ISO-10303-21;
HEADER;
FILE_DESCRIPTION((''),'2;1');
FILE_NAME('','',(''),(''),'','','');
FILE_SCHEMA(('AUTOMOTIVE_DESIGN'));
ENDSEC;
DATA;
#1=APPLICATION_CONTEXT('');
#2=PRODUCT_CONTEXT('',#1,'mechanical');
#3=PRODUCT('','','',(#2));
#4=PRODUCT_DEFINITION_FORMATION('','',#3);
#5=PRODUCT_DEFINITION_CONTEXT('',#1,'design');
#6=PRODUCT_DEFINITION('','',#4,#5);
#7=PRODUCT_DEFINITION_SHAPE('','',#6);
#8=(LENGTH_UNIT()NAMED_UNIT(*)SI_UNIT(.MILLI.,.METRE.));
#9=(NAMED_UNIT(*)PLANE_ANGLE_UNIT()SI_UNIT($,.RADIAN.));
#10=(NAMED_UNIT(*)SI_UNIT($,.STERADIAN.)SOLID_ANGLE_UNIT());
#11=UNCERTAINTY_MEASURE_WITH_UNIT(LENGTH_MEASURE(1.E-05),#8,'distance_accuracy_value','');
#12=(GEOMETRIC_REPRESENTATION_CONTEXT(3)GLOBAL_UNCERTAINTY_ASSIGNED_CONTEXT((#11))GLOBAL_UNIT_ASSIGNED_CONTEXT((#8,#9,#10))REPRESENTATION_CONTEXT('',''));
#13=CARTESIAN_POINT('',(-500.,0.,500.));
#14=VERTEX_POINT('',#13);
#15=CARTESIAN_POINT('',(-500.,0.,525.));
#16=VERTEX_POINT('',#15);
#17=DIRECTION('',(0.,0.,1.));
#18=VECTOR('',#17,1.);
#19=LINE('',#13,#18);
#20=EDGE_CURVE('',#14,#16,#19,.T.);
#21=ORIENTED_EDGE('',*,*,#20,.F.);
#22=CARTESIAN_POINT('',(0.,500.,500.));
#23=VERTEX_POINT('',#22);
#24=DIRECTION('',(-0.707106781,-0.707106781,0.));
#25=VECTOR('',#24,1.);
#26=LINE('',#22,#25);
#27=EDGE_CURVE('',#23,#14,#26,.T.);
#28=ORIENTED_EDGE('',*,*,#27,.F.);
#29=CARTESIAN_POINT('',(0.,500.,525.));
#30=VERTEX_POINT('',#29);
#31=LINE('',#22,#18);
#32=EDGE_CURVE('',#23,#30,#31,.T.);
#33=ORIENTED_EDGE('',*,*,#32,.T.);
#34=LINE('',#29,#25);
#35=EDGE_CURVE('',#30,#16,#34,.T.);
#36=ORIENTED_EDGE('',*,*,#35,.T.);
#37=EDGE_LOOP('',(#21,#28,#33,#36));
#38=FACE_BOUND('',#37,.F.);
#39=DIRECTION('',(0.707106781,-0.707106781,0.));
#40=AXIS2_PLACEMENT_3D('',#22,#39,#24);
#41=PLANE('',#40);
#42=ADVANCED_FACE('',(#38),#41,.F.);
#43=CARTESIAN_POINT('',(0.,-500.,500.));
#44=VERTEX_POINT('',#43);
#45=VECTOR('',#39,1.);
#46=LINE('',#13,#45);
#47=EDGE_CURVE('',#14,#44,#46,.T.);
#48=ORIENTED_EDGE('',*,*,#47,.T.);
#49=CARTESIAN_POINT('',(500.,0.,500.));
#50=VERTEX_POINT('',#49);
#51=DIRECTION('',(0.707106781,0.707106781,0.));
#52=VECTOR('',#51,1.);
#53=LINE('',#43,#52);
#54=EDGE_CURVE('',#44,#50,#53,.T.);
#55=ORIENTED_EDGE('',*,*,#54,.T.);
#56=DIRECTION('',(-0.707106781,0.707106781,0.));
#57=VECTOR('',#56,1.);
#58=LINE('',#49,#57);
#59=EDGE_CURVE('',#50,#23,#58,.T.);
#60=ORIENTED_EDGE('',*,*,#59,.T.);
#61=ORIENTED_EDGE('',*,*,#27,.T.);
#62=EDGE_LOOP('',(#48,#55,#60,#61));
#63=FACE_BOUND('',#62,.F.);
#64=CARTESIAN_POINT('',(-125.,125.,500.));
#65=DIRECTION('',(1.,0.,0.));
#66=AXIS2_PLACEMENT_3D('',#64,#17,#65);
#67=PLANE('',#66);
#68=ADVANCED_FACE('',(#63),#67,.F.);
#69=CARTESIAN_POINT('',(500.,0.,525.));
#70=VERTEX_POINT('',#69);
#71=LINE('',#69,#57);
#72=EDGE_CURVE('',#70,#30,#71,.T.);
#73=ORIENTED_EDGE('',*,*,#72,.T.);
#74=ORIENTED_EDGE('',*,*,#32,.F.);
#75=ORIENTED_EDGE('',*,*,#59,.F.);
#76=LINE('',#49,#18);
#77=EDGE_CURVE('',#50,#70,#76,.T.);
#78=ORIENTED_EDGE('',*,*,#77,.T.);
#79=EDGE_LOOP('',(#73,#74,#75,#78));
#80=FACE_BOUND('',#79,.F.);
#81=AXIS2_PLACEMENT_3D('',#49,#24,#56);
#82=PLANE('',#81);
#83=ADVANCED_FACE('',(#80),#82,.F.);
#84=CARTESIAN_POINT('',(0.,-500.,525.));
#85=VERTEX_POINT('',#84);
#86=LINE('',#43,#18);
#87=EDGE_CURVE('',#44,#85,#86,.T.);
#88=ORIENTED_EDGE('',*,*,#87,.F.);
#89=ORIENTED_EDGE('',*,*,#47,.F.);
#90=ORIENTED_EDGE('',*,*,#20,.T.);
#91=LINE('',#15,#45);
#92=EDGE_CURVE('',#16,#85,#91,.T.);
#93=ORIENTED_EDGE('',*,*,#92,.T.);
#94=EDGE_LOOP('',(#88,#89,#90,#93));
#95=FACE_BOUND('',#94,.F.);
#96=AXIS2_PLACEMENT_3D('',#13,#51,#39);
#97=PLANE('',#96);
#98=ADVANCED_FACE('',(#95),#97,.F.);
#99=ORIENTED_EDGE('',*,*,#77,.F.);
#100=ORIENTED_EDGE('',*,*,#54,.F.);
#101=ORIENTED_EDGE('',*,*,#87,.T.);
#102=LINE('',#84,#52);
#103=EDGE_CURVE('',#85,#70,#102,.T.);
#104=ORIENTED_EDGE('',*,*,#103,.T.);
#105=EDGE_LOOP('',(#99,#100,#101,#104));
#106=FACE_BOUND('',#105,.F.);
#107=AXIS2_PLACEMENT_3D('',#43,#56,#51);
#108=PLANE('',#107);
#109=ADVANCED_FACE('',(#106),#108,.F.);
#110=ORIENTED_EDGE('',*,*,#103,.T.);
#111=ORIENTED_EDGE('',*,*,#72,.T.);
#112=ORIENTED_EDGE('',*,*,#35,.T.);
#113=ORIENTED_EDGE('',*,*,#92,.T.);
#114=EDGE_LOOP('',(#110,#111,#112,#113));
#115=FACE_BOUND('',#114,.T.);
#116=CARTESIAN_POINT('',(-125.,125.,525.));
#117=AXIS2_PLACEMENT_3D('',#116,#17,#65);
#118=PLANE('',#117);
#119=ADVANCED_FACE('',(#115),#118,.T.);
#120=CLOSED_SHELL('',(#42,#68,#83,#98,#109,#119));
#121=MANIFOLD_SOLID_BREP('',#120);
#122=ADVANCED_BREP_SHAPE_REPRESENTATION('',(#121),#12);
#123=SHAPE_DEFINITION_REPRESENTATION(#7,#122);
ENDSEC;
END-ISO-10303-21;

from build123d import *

# Parameters (mm, degrees)
F10_DEPTH = 25


with BuildPart() as f10:
    # F2 (on offset) → F10 (new body)
    with BuildSketch(Plane.XY.offset(500)):
        Polygon((-500, 0), (-250, -250), (0, 0), (250, 250), (0, 500), (-250, 250), align=None)
        Polygon((0, 0), (-250, -250), (0, -500), (250, -250), (500, 0), (250, 250), align=None)
    extrude(amount=F10_DEPTH)


solid = f10.part
